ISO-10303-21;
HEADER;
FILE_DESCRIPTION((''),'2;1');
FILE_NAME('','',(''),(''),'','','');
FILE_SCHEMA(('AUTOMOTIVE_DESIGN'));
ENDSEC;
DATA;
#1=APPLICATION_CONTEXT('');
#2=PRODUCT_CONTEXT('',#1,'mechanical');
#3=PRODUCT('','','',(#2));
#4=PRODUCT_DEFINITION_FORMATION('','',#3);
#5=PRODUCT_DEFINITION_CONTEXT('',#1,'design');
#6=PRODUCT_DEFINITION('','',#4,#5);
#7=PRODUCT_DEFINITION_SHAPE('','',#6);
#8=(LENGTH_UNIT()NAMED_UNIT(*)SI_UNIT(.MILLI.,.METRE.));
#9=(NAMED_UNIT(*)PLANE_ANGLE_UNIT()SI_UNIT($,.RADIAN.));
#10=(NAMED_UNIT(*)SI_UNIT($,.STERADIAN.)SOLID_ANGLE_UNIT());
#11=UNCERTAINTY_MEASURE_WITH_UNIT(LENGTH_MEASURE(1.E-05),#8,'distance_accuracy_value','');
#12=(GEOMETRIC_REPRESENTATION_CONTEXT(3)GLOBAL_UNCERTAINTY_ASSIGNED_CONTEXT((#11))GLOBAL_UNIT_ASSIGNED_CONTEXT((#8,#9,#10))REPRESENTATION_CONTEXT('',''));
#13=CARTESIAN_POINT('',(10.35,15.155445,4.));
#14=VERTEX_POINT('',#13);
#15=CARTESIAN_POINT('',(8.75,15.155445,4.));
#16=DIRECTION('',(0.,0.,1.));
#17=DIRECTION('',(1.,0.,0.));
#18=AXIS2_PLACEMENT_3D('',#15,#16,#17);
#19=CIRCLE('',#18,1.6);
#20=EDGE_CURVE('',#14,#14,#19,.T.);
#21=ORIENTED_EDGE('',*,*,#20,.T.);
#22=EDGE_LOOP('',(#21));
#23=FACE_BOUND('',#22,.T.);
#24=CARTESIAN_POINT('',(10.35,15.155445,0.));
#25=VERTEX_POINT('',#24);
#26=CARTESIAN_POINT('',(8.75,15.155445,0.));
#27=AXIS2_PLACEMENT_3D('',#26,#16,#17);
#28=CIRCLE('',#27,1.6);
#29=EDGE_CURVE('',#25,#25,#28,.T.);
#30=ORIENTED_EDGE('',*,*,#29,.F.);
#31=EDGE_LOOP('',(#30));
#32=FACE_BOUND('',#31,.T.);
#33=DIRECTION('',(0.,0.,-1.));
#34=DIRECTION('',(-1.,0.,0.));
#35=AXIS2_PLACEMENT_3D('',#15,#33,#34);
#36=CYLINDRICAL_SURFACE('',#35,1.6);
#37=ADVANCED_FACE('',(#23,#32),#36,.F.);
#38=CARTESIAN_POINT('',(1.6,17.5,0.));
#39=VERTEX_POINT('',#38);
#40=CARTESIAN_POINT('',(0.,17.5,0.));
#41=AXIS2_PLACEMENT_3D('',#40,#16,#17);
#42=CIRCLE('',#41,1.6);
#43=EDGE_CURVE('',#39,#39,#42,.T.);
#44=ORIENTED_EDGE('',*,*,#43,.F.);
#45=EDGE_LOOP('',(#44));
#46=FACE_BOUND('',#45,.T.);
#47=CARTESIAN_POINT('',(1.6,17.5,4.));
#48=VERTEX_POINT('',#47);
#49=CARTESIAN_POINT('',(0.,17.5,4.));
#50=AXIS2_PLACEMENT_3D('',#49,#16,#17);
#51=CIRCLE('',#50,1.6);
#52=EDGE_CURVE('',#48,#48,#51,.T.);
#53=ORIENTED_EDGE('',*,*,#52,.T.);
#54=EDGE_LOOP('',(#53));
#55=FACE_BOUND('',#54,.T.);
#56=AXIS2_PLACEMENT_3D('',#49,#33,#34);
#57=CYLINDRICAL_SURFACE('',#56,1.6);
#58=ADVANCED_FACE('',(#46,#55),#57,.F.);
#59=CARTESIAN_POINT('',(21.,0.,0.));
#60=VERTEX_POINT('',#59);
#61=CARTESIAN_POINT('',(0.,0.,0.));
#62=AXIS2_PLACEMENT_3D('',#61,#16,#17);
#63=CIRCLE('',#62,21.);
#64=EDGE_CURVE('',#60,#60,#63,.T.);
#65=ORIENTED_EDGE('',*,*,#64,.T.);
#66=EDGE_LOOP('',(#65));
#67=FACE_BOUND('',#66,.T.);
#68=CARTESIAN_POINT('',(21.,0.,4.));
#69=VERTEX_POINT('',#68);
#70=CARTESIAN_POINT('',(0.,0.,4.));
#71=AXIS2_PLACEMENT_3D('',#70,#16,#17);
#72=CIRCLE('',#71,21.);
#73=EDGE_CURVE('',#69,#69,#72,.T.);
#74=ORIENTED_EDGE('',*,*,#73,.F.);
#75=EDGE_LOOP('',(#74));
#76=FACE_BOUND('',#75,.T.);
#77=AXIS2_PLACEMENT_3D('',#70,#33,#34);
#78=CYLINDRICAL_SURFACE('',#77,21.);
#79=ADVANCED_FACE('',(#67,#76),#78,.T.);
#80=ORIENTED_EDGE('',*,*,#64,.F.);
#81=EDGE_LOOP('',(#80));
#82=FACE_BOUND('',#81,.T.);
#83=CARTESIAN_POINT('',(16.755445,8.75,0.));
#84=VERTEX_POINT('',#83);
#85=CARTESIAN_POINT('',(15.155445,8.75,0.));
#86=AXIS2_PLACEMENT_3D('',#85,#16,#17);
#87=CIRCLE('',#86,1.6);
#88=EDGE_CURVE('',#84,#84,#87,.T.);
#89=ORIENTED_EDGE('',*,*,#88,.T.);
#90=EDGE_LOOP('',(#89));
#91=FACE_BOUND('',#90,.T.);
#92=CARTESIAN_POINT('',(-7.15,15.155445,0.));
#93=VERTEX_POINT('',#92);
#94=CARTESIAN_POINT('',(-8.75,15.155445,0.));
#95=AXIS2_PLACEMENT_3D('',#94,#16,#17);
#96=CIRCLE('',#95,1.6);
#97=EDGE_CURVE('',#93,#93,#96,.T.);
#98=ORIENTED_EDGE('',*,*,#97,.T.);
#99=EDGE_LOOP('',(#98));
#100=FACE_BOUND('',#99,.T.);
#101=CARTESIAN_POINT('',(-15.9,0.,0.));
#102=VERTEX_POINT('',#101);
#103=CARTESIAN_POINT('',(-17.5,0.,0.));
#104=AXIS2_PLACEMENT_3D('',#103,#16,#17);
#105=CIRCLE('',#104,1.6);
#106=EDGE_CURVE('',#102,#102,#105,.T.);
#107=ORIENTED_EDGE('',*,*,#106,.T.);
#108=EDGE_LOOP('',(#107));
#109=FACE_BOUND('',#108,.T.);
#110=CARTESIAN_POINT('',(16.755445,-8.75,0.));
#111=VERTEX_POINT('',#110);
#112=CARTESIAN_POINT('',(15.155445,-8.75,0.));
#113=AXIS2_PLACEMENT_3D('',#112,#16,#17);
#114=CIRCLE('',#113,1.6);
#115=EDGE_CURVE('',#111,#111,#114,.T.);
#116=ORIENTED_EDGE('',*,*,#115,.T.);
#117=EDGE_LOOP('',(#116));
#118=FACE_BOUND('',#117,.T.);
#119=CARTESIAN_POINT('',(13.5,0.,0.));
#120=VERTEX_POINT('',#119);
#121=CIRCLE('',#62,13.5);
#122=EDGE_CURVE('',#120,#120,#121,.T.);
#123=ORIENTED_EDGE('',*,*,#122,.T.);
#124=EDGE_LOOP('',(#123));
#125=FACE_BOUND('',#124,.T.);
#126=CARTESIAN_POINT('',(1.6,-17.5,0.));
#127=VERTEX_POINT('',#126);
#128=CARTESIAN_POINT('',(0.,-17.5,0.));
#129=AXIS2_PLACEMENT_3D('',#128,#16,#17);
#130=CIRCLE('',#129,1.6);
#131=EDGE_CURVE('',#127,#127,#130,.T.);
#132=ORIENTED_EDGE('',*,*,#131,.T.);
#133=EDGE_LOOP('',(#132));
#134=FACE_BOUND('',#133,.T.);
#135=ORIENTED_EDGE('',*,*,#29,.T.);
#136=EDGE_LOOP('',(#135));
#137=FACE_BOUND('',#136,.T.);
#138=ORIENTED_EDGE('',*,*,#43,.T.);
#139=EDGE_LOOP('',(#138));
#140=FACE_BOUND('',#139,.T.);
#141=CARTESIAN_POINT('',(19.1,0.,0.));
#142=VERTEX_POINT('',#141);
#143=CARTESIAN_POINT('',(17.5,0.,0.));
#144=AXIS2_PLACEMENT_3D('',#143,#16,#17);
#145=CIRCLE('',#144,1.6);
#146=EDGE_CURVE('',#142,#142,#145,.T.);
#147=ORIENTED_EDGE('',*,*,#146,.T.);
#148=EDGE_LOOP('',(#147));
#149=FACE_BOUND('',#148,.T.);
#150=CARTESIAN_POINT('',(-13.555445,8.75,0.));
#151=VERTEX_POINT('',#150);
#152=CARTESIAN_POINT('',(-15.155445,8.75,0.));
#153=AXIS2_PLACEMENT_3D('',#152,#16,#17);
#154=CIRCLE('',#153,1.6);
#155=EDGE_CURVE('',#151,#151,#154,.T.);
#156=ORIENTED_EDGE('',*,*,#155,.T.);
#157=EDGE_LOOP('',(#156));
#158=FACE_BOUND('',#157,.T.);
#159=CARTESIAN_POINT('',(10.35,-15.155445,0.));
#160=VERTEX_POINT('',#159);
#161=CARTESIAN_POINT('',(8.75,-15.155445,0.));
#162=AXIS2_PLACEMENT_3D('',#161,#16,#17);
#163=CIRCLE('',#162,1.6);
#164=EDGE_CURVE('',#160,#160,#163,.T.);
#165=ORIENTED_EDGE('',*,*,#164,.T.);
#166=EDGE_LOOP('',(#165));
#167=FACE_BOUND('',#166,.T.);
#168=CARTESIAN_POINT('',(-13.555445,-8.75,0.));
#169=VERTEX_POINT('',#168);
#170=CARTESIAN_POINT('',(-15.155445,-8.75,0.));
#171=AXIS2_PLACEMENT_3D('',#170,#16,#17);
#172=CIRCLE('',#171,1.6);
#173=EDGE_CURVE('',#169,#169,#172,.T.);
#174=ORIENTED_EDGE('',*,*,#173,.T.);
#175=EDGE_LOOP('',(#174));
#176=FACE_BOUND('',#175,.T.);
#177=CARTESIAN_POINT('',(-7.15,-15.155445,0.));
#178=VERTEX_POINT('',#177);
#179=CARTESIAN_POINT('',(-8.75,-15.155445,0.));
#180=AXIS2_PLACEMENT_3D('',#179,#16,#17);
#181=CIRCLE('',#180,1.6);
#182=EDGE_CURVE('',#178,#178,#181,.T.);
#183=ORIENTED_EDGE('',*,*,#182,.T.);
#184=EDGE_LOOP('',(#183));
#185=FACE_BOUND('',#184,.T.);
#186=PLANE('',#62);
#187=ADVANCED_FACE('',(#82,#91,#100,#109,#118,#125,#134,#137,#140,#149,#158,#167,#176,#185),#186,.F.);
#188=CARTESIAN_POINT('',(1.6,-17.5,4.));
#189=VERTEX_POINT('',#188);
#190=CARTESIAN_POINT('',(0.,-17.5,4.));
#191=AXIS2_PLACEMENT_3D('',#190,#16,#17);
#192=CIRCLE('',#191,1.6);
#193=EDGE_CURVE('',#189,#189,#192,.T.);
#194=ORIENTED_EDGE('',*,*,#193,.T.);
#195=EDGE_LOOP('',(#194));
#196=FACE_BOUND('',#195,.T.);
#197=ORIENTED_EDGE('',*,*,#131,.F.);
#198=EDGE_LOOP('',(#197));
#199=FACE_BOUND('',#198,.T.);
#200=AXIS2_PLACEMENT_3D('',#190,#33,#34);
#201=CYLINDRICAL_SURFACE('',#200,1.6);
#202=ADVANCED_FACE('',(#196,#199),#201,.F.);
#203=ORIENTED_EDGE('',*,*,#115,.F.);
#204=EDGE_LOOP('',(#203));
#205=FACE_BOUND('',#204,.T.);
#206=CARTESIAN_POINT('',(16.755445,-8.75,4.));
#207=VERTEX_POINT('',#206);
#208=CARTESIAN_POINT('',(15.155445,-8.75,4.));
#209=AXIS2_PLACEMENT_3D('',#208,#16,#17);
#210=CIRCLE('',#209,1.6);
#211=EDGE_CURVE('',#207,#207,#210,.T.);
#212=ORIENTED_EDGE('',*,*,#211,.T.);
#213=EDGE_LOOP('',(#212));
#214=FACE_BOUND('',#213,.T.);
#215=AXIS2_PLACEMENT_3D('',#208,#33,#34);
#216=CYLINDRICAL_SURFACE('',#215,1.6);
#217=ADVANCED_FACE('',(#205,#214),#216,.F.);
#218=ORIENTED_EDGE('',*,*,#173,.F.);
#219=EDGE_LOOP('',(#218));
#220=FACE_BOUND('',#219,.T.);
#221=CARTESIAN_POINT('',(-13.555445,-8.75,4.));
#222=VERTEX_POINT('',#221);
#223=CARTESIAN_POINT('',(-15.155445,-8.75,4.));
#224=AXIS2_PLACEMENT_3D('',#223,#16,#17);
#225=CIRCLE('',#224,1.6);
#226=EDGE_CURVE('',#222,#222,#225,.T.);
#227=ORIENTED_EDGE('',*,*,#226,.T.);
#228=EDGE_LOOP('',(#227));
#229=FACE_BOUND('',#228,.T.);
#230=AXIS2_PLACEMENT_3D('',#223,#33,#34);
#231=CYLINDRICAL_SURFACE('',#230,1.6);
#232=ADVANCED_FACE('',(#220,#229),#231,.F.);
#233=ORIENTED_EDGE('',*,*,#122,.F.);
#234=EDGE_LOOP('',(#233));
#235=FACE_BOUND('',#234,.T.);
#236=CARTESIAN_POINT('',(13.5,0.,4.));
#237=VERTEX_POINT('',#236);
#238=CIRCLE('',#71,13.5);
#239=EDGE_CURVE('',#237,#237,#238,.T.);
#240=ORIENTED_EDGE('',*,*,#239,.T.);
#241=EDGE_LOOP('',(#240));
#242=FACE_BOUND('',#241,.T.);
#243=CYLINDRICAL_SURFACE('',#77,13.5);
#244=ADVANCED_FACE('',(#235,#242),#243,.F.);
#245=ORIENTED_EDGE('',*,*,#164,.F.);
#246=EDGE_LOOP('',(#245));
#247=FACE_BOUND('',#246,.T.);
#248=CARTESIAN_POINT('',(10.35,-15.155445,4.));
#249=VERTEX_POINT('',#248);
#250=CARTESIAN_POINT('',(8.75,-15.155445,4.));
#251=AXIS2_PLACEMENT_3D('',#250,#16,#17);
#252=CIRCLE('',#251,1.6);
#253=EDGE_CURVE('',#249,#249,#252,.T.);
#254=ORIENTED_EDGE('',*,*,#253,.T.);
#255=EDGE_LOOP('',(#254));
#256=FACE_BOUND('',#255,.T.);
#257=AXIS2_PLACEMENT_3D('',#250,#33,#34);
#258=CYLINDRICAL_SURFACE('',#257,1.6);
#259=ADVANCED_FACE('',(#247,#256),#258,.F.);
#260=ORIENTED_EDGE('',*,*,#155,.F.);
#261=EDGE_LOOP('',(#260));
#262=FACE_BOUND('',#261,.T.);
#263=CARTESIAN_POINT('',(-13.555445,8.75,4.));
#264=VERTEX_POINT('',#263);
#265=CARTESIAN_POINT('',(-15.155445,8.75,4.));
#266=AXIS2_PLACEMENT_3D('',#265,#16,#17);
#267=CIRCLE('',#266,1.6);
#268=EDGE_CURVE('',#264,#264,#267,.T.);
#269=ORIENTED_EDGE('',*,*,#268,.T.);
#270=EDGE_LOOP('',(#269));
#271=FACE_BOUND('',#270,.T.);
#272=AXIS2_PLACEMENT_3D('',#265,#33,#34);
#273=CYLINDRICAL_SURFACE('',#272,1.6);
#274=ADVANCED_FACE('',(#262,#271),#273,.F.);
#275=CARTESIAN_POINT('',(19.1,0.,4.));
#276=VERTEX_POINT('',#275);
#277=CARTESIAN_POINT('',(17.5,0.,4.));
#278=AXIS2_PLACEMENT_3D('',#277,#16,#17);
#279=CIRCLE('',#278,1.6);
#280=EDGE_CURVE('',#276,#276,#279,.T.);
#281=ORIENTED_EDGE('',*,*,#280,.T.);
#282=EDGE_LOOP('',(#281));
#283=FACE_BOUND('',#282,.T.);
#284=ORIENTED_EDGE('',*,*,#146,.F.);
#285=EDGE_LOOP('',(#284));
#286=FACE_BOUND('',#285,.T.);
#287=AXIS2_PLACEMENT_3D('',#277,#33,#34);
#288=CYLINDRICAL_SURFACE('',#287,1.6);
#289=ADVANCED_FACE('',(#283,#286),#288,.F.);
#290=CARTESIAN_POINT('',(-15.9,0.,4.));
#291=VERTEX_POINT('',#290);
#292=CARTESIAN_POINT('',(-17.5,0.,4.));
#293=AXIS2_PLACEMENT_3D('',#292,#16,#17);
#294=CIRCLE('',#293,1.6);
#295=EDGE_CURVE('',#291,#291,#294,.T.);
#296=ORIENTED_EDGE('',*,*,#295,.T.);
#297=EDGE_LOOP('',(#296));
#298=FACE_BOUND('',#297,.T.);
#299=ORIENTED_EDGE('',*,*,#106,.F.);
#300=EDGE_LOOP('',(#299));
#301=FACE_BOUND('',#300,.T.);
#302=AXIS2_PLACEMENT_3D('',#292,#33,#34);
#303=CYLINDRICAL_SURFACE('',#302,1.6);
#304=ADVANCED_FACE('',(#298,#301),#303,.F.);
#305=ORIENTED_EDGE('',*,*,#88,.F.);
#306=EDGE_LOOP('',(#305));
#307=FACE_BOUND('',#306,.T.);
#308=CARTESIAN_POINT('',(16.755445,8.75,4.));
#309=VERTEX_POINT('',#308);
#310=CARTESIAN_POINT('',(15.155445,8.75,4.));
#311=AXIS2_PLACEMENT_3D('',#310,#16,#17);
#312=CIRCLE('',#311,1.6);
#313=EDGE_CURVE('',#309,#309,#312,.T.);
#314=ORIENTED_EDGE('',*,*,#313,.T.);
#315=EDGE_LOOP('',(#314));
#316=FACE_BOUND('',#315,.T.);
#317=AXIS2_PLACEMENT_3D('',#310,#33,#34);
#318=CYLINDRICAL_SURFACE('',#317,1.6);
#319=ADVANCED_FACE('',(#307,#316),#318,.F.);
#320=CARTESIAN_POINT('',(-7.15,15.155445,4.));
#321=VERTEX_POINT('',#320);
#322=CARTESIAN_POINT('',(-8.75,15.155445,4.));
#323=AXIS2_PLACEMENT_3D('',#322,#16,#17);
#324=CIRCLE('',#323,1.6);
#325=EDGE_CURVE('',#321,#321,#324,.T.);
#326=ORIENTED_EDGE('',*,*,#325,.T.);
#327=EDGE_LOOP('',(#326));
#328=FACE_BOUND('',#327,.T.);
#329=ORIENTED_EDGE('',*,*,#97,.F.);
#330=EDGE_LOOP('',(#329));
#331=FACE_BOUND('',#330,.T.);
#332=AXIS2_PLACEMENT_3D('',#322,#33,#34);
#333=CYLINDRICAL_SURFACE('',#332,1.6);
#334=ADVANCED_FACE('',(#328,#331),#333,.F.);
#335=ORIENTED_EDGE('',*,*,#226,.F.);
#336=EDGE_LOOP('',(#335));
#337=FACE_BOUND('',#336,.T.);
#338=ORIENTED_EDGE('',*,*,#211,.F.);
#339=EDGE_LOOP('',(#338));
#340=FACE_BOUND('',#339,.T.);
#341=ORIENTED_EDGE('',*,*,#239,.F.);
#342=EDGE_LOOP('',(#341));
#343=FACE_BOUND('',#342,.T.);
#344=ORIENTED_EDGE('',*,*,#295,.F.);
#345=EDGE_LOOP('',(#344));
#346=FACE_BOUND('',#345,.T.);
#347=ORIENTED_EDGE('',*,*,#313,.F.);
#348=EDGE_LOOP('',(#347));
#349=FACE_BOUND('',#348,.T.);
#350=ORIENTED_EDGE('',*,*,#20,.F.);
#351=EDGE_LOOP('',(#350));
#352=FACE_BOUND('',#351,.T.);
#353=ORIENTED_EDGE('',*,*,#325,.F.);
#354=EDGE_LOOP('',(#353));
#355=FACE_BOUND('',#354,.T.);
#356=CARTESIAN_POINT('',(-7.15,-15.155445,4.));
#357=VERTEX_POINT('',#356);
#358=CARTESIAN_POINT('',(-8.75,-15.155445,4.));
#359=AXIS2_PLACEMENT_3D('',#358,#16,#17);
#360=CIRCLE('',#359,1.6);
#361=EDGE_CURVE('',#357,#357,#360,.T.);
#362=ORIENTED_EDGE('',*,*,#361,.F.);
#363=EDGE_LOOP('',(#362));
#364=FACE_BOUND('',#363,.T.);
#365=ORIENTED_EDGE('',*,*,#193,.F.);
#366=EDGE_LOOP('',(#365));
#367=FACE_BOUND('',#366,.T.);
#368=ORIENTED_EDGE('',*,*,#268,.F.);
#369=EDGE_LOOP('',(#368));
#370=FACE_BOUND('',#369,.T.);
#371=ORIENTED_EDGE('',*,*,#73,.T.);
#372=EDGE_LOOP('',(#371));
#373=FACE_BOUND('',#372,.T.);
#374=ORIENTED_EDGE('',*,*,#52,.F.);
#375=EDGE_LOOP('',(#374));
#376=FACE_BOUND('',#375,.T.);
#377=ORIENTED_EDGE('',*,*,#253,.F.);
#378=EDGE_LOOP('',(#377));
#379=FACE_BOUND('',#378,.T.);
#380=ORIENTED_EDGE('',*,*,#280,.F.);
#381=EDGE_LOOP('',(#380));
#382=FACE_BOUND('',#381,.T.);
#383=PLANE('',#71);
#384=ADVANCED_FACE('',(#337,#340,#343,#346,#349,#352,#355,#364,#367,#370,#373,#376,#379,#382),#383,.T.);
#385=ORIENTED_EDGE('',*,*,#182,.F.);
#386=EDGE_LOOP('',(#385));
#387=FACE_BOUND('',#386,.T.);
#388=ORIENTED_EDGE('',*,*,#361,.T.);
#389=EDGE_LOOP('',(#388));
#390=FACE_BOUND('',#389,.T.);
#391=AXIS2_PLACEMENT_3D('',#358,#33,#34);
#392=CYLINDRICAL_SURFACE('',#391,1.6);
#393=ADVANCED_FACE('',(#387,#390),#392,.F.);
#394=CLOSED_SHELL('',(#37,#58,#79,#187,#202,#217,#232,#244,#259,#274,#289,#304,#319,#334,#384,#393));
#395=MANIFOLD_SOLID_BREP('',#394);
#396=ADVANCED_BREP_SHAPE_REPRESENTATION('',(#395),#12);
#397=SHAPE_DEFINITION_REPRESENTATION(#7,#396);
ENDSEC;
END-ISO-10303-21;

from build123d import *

# Parameters (mm, degrees)
SKETCH_1_R      = 21
SKETCH_1_R_2    = 13.5
SKETCH_1_R_3    = 1.6
EXTRUDE_1_DEPTH = 4


with BuildPart() as part:
    # 草图1 → 凸台-拉伸1 (new body)
    with BuildSketch(Plane.XY):
        Circle(SKETCH_1_R)
        Circle(SKETCH_1_R_2, mode=Mode.SUBTRACT)
        with Locations((0, 17.5)):
            Circle(SKETCH_1_R_3, mode=Mode.SUBTRACT)
        with Locations((17.5, 0)):
            Circle(SKETCH_1_R_3, mode=Mode.SUBTRACT)
        with Locations((0, -17.5)):
            Circle(SKETCH_1_R_3, mode=Mode.SUBTRACT)
        with Locations((-17.5, 0)):
            Circle(SKETCH_1_R_3, mode=Mode.SUBTRACT)
        with Locations((15.155444566, -8.75)):
            Circle(SKETCH_1_R_3, mode=Mode.SUBTRACT)
        with Locations((8.75, 15.155444566)):
            Circle(SKETCH_1_R_3, mode=Mode.SUBTRACT)
        with Locations((-15.155444566, 8.75)):
            Circle(SKETCH_1_R_3, mode=Mode.SUBTRACT)
        with Locations((-8.75, -15.155444566)):
            Circle(SKETCH_1_R_3, mode=Mode.SUBTRACT)
        with Locations((-15.155444566, -8.75)):
            Circle(SKETCH_1_R_3, mode=Mode.SUBTRACT)
        with Locations((8.75, -15.155444566)):
            Circle(SKETCH_1_R_3, mode=Mode.SUBTRACT)
        with Locations((15.155444566, 8.75)):
            Circle(SKETCH_1_R_3, mode=Mode.SUBTRACT)
        with Locations((-8.75, 15.155444566)):
            Circle(SKETCH_1_R_3, mode=Mode.SUBTRACT)
    extrude(amount=EXTRUDE_1_DEPTH)


solid = part.part
